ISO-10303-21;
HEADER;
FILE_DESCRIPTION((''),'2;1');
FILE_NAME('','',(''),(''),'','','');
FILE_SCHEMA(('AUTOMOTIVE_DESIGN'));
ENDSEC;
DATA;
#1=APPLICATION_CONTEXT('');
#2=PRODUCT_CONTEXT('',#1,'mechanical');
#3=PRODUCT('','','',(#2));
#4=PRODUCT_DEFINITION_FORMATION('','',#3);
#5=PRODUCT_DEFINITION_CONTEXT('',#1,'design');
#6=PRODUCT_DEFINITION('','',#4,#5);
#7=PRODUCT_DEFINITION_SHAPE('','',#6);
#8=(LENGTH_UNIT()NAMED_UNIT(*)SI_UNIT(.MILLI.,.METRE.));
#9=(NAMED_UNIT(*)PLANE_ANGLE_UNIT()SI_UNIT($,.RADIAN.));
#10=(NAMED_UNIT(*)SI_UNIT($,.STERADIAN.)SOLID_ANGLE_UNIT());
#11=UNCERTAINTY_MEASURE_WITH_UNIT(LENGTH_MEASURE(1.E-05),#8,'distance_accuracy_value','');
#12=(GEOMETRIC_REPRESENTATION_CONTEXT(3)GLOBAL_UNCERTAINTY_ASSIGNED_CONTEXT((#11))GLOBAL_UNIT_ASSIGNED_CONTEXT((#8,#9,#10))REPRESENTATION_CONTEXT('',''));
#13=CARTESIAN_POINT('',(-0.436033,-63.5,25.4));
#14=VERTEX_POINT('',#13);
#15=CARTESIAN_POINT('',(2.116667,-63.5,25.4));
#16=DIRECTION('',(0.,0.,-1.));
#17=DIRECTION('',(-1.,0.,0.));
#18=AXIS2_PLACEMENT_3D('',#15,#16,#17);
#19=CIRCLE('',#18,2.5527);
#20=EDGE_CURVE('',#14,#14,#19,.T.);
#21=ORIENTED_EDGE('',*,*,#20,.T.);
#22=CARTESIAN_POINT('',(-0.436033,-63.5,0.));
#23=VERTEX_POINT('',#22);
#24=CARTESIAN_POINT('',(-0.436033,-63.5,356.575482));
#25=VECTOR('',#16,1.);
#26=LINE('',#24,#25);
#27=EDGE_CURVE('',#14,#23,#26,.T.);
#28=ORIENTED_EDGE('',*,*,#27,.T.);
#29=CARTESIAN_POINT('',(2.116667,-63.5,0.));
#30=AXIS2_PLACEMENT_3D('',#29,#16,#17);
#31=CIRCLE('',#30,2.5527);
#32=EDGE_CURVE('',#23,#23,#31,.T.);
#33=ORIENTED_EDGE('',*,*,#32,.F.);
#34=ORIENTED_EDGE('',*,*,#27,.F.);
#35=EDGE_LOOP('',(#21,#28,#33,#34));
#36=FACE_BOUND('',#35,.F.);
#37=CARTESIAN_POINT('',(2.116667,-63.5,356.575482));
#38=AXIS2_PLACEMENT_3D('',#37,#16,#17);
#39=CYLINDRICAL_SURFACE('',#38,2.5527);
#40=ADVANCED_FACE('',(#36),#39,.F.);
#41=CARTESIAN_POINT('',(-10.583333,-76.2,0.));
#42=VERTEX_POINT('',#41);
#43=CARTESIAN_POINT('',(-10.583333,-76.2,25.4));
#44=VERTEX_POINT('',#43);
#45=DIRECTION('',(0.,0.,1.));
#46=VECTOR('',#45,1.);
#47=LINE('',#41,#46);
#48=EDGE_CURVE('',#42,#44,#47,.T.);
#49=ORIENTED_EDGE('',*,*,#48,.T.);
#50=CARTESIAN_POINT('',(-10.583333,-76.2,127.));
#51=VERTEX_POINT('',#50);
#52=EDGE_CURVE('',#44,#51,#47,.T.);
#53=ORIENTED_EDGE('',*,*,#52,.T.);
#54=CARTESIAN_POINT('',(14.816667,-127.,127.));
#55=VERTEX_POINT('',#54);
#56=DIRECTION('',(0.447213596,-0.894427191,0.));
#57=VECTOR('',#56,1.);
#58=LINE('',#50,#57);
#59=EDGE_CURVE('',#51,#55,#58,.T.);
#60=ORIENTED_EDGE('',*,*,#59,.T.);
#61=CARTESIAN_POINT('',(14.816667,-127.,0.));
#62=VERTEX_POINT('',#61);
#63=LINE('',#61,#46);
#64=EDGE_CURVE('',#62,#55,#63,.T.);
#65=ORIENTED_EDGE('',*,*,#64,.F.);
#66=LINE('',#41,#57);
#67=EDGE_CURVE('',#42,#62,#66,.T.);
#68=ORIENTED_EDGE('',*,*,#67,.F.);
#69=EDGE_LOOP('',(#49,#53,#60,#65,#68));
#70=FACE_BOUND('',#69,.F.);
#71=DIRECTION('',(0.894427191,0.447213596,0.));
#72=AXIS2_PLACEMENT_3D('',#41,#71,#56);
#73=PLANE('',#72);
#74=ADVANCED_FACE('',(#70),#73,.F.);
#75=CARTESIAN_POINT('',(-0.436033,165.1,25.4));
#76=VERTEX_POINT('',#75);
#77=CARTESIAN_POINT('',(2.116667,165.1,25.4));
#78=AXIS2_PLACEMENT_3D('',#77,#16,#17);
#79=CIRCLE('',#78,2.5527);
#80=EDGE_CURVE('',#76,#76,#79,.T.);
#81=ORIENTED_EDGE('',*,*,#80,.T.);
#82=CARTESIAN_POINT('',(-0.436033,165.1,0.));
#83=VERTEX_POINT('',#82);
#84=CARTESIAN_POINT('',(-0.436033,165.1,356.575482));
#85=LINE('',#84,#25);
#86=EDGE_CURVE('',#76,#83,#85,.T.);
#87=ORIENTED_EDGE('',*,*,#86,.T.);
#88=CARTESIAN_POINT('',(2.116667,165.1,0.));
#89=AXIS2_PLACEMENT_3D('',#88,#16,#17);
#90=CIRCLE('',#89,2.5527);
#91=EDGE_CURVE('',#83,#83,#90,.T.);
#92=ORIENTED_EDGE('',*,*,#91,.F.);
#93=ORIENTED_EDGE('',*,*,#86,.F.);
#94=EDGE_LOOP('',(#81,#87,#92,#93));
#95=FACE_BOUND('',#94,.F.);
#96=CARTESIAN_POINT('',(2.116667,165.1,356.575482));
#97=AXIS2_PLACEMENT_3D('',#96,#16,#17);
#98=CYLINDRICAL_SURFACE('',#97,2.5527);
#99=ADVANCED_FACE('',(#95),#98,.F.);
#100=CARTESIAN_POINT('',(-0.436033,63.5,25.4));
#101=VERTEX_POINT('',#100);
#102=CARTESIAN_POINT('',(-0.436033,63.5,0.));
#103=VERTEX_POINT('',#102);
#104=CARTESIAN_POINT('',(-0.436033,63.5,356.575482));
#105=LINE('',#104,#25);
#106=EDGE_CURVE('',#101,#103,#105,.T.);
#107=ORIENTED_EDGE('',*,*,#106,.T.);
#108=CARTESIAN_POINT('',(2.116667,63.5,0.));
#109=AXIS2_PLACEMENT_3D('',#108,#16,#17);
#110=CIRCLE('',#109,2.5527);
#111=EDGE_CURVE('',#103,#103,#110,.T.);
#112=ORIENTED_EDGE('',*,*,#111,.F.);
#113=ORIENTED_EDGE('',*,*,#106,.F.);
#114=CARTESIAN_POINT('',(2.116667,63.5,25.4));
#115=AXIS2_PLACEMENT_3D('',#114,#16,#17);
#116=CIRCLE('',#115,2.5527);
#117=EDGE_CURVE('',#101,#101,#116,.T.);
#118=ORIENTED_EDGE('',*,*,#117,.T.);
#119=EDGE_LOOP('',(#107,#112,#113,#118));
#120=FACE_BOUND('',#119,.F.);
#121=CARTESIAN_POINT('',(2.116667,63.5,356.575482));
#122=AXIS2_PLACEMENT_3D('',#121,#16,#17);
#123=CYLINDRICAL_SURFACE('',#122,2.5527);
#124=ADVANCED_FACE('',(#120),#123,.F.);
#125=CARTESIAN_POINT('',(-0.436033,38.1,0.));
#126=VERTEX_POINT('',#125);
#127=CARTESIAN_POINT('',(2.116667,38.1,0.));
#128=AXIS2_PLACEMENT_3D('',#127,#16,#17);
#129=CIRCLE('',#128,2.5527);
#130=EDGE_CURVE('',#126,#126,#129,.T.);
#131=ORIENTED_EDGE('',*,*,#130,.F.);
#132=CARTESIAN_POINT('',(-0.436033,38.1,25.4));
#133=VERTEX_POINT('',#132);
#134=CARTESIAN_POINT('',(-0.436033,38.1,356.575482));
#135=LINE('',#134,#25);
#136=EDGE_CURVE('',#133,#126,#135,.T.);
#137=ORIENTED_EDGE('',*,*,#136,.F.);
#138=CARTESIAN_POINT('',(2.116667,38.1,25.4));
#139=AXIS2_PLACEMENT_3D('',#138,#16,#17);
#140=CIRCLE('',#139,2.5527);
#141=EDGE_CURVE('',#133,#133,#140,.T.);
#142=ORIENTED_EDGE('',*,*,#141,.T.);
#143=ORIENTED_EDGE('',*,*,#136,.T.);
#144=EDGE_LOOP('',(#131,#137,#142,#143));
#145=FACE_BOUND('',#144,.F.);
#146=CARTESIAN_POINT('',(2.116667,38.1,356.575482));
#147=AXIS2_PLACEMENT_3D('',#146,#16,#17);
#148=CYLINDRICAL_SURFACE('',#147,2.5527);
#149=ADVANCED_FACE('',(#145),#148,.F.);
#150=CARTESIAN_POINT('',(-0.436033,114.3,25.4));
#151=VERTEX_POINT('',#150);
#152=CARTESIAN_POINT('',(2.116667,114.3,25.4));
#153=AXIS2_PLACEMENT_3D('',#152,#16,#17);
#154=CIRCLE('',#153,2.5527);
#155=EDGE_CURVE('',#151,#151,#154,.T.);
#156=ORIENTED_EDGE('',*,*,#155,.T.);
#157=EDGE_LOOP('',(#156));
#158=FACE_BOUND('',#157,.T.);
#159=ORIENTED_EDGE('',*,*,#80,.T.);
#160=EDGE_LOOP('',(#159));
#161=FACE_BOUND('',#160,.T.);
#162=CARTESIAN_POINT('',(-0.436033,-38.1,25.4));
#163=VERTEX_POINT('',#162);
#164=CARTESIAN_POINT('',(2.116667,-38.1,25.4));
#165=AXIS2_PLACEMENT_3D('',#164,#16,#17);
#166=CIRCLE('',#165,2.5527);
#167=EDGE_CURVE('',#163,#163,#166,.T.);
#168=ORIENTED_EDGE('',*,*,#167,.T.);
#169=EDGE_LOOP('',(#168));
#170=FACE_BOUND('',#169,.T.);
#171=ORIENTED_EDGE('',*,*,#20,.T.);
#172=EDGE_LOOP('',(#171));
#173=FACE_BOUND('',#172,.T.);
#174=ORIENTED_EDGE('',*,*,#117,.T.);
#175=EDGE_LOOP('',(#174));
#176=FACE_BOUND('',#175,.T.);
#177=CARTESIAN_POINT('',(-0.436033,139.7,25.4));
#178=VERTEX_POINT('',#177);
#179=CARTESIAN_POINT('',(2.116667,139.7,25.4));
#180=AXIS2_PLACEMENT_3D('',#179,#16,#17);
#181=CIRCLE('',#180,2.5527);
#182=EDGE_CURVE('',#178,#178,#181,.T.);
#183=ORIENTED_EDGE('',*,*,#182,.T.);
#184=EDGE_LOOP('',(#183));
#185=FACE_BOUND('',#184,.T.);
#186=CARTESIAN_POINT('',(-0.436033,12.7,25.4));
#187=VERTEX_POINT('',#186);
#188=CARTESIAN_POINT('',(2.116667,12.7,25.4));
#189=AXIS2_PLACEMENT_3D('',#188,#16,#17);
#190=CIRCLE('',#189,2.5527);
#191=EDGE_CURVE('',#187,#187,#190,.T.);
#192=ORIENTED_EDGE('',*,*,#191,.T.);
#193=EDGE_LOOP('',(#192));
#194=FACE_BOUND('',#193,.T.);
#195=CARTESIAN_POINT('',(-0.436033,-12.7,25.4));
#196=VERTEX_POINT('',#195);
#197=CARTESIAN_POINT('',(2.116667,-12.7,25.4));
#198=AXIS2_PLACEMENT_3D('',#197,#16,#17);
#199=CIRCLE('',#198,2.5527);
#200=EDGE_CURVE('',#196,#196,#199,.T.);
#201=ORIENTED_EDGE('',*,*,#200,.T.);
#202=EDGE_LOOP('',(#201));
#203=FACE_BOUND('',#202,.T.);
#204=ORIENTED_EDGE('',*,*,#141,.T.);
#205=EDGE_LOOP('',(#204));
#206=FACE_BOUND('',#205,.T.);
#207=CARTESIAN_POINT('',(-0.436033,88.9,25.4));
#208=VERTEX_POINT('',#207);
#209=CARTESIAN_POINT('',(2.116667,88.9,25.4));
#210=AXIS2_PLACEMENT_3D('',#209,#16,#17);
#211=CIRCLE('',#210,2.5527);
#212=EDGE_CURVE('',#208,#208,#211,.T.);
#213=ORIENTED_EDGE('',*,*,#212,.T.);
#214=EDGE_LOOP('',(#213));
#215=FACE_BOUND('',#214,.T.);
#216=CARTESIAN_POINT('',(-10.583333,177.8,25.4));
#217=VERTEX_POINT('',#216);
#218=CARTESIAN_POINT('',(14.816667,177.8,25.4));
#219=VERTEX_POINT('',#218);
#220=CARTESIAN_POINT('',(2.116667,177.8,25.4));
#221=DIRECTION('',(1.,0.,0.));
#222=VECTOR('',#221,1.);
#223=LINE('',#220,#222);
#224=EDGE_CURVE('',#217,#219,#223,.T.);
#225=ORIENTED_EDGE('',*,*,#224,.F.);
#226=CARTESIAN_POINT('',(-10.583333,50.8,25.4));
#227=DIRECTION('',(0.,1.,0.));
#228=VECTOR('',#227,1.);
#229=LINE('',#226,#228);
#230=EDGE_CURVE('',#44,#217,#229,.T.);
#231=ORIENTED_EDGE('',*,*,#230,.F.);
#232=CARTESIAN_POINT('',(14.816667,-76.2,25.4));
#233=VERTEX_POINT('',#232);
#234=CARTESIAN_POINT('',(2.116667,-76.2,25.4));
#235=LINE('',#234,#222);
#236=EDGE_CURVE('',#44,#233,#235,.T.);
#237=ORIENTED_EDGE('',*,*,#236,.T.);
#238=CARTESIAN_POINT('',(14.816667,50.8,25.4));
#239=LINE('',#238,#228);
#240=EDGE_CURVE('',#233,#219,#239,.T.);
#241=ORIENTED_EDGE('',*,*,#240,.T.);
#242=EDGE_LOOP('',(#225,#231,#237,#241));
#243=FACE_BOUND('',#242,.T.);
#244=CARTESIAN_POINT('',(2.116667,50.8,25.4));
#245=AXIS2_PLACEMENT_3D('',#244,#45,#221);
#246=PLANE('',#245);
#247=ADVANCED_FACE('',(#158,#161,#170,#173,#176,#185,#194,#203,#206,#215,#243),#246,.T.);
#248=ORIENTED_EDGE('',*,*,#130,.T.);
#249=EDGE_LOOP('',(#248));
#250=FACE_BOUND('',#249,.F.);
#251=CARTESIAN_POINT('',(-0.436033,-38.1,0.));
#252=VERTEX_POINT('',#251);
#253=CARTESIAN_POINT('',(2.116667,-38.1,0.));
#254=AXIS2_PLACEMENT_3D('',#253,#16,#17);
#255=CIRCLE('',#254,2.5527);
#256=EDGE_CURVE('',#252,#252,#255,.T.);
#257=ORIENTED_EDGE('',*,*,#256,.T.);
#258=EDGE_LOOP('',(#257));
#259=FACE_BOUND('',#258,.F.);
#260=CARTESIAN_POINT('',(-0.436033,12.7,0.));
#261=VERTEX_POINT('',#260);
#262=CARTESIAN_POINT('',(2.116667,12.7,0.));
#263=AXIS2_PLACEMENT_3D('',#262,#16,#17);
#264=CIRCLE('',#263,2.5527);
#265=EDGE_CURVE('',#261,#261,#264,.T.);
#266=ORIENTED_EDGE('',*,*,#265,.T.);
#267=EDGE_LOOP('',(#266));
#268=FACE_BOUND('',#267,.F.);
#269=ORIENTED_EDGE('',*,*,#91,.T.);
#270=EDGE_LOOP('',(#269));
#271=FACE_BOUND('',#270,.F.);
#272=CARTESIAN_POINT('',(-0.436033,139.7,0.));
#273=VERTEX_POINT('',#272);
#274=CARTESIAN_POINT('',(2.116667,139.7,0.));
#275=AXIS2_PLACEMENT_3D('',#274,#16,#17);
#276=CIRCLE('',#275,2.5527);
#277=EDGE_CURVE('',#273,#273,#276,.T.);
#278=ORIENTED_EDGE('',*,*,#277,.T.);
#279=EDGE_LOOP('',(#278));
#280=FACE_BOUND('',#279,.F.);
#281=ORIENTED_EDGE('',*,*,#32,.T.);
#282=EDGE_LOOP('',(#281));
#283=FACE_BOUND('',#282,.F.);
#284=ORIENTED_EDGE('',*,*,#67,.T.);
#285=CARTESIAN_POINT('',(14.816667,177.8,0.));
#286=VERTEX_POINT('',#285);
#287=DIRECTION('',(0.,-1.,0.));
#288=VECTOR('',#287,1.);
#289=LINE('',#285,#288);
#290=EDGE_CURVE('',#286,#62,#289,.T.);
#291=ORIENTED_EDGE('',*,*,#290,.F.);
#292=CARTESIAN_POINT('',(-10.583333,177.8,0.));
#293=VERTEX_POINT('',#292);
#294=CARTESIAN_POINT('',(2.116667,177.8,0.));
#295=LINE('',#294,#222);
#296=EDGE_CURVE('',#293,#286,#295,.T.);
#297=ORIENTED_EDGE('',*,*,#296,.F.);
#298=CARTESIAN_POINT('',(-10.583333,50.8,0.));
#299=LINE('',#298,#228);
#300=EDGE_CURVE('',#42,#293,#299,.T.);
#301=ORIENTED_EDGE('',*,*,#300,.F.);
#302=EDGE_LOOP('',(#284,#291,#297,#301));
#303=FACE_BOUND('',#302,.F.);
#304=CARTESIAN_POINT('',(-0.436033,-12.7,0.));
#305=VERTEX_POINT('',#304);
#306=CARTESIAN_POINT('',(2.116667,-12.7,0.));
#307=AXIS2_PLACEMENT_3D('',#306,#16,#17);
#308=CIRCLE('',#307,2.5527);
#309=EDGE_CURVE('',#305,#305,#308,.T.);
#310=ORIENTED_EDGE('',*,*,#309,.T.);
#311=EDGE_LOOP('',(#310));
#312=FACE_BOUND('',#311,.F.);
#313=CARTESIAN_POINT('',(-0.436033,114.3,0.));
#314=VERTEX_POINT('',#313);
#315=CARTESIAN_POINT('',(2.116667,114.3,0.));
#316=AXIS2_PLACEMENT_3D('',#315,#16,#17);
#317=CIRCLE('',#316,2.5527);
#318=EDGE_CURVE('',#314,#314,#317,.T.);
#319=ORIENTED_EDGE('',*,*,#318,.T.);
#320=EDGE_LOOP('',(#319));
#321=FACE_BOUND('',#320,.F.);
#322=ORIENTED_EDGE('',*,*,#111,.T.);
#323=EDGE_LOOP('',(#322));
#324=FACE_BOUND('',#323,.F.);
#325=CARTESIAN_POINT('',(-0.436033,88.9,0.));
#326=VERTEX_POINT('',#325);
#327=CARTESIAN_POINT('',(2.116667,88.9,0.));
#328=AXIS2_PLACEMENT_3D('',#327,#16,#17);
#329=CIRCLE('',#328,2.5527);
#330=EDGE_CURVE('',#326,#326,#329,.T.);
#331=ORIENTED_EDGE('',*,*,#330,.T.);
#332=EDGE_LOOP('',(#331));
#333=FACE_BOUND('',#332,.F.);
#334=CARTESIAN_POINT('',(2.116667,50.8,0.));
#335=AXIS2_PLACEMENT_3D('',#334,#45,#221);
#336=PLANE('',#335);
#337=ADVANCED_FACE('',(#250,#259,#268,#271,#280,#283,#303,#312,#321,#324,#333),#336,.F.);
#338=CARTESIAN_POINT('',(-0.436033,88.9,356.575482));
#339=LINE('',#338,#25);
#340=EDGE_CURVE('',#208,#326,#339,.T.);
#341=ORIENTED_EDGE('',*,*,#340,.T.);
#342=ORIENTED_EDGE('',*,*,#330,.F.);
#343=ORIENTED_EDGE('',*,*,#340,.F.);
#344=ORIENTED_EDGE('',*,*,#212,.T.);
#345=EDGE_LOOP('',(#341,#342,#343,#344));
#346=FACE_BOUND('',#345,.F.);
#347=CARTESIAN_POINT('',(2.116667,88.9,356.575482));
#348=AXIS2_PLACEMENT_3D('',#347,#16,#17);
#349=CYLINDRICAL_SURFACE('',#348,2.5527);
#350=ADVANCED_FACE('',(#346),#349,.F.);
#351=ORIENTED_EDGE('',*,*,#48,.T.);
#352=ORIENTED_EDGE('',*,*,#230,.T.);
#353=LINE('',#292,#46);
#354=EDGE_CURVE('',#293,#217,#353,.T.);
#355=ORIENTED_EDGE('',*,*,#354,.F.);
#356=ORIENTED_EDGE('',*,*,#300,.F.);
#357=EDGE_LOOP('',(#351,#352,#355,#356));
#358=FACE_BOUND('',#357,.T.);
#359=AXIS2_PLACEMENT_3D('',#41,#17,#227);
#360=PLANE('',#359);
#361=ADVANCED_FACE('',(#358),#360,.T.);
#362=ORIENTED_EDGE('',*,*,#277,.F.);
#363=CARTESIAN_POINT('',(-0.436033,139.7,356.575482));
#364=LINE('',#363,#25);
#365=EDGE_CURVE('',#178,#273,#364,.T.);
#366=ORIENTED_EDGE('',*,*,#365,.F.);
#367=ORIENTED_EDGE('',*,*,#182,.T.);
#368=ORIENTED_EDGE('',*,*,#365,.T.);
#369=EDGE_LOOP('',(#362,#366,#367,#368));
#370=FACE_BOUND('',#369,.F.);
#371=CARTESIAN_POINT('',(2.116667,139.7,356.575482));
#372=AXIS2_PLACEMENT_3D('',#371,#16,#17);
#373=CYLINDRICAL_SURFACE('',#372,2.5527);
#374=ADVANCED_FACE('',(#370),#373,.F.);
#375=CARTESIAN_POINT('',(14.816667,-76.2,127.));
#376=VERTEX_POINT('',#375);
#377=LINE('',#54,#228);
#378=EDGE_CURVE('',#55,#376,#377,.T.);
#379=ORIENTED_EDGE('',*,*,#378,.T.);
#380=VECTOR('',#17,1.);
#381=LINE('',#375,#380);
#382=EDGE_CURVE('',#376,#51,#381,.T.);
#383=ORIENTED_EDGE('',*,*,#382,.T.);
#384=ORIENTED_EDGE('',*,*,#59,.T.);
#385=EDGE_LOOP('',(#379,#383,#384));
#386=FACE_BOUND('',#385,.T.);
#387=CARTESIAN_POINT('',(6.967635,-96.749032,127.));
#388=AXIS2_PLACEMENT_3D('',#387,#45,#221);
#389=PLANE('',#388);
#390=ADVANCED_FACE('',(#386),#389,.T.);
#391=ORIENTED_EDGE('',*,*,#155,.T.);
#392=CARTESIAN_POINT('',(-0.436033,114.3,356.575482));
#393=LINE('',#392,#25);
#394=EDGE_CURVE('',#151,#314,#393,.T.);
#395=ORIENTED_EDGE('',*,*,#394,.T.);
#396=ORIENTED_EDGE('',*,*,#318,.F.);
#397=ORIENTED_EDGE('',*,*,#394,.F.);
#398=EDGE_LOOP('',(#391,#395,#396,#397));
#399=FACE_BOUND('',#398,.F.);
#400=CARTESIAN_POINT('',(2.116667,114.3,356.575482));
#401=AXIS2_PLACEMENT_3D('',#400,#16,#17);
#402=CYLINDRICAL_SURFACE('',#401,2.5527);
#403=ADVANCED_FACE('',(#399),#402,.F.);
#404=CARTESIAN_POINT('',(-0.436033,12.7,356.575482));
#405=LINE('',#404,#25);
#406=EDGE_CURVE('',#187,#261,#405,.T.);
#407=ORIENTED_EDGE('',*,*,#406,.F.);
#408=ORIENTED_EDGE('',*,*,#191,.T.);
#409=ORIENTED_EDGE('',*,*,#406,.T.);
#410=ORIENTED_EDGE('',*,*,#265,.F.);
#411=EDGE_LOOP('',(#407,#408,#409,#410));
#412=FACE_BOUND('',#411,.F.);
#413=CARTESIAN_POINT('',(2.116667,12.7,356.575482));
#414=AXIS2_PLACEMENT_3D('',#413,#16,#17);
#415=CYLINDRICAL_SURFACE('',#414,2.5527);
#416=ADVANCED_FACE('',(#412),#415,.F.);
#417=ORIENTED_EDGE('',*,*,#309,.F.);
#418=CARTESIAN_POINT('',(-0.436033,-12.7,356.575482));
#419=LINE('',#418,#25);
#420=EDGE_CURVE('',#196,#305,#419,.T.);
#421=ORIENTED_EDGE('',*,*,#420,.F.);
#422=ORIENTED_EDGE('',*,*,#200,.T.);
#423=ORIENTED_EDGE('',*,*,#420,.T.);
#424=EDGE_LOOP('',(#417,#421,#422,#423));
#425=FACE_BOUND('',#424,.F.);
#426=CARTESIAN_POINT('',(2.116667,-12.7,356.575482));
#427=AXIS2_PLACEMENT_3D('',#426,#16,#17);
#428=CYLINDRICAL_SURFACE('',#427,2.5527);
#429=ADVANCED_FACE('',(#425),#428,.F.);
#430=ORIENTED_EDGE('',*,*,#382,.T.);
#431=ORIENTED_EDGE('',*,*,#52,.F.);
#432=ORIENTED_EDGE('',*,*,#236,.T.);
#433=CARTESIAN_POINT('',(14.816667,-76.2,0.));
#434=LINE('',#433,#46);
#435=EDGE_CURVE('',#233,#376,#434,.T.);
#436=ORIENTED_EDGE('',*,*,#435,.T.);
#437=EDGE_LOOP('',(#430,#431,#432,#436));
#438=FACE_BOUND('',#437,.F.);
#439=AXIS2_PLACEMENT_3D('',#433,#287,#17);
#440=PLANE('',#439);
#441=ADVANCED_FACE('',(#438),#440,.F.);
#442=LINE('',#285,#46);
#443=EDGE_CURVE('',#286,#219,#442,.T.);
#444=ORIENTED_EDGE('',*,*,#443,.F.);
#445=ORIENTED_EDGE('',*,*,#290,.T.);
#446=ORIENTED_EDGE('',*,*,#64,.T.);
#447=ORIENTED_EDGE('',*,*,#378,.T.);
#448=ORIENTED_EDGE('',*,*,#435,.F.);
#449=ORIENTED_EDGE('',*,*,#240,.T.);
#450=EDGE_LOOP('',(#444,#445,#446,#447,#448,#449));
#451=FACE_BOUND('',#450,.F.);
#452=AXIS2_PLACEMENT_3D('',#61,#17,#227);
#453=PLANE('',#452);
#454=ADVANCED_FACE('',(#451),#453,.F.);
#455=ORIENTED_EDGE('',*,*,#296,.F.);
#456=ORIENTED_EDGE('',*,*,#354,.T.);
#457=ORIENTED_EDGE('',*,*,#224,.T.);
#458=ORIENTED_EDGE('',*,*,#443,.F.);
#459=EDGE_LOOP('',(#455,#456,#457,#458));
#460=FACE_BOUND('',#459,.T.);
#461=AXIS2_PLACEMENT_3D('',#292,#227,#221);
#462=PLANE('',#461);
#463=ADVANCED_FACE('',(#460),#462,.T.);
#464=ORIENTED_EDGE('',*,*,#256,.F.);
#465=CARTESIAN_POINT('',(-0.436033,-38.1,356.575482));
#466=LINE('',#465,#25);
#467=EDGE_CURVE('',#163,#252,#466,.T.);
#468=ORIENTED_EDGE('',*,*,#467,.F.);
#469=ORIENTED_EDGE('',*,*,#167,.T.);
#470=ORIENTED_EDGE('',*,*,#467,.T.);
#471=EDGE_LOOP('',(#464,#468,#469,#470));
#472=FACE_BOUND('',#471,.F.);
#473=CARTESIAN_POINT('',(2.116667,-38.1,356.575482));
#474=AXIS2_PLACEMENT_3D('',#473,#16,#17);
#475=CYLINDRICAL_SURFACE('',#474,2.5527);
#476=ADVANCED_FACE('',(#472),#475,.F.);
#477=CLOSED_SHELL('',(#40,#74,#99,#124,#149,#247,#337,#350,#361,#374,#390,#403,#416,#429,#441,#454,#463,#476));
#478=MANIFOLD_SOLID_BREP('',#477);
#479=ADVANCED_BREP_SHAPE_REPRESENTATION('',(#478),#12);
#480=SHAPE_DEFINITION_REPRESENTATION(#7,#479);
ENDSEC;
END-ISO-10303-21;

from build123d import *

# Parameters (mm, degrees)
F1_DEPTH = 127
F0_W     = 25.4
F0_H     = 254
F2_DEPTH = 25.4
F4_D     = 5.1054


with BuildPart() as f1:
    # F0 (on Top) → F1 (new body)
    with BuildSketch(Plane.XY):
        Polygon((14.816667, -76.2), (-10.583333, -76.2), (14.816667, -127), align=None)
    extrude(amount=F1_DEPTH)

    # F0 (on Top) → F2 (join)
    with BuildSketch(Plane.XY):
        with Locations((2.116667, 50.8)):
            Rectangle(F0_W, F0_H)
    extrude(amount=F2_DEPTH)

    # F4 (through all)
    with Locations(Plane.XY.offset(25.4)):
        with Locations((2.116667, -12.7), (2.116667, 12.7), (2.116667, 38.1), (2.116667, 63.5), (2.116667, 88.9), (2.116667, 114.3), (2.116667, 139.7), (2.116667, 165.1), (2.116667, -38.1), (2.116667, -63.5)):
            Hole(F4_D / 2)


solid = f1.part
